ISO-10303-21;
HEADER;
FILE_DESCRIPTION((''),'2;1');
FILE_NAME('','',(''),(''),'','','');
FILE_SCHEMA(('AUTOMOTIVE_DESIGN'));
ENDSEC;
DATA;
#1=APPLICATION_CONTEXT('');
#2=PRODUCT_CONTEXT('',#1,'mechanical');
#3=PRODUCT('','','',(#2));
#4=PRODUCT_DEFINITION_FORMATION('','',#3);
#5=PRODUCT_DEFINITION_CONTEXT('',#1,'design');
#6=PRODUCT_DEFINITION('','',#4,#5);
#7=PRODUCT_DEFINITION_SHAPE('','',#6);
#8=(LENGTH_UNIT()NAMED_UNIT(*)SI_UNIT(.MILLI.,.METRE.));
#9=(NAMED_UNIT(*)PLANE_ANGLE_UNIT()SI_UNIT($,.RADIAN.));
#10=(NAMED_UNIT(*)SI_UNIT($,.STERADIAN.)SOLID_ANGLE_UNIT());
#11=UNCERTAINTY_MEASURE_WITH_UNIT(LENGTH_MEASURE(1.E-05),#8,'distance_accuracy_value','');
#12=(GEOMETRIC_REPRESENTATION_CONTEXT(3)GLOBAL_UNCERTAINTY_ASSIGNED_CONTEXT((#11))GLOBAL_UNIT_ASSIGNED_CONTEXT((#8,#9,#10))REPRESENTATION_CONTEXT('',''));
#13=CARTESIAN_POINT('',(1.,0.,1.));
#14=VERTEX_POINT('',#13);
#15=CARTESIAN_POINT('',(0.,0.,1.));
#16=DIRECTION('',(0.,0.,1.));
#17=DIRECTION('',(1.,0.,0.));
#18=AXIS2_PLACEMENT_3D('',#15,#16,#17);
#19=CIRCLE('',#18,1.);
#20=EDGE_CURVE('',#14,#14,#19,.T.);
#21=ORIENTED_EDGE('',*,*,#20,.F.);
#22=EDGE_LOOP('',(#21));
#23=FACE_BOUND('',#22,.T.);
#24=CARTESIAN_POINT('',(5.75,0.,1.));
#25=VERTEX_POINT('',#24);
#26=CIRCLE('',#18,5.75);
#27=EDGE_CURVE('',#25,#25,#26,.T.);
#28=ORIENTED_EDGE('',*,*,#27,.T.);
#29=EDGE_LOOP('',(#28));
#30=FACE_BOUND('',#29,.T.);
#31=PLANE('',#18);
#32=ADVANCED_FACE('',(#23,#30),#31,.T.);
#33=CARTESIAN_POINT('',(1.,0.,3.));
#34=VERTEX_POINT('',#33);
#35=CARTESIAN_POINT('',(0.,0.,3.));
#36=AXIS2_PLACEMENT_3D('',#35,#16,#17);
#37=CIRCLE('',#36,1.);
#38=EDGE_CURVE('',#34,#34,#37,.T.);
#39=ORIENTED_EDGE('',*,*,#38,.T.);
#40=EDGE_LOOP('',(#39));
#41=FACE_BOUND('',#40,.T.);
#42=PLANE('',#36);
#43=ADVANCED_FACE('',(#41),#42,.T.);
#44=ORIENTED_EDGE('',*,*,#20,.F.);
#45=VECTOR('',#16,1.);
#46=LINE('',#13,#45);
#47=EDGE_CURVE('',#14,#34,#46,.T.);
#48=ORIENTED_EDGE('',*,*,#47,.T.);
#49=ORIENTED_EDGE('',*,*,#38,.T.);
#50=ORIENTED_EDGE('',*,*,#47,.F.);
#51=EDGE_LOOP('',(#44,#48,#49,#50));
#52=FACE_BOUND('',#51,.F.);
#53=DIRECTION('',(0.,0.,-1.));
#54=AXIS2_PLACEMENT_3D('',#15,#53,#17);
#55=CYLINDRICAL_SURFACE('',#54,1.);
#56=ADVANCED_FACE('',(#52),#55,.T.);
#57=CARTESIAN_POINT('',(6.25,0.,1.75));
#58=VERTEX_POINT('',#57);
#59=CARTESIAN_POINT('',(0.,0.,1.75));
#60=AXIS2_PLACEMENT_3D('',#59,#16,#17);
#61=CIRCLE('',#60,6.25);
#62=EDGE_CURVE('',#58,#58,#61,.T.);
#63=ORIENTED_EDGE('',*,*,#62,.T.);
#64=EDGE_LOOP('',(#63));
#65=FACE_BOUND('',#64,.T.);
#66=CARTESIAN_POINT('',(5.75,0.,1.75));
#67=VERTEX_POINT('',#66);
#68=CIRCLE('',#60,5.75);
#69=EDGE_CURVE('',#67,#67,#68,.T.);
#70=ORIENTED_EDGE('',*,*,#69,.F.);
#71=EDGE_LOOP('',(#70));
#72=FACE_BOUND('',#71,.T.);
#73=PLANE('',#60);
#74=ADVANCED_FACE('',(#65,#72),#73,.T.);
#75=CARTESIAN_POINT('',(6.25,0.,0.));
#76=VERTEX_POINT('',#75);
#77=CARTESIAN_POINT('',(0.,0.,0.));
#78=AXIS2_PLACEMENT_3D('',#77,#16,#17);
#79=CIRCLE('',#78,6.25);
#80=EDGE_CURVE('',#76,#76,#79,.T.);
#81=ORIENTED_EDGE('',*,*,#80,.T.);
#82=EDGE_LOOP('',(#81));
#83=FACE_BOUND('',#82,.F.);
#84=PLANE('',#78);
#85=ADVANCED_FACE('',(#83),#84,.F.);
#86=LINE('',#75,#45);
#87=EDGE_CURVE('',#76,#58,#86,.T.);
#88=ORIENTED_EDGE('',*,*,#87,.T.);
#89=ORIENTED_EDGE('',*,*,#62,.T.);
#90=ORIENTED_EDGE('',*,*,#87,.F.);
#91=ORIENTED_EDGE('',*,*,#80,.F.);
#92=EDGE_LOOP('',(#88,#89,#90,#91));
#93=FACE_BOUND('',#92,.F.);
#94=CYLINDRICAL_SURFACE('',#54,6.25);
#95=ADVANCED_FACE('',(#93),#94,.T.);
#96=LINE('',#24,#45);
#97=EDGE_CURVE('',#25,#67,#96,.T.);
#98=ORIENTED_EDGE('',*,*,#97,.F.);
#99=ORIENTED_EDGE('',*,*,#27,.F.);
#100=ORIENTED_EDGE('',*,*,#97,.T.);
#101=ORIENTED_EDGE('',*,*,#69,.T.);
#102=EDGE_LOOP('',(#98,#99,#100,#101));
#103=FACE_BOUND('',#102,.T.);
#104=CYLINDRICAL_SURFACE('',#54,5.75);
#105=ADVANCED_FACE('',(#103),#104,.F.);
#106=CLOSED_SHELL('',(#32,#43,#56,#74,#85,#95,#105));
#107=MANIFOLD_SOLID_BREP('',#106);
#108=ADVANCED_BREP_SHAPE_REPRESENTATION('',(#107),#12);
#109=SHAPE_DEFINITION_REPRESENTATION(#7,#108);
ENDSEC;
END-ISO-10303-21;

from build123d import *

# Parameters (mm, degrees)
F0_R     = 6.25
F1_DEPTH = 1
F2_R     = 6.25
F2_R_2   = 5.75
F3_DEPTH = 0.75
F2_R_3   = 1
F4_DEPTH = 2


with BuildPart() as f1:
    # F0 (on Top) → F1 (new body)
    with BuildSketch(Plane.XY):
        Circle(F0_R)
    extrude(amount=F1_DEPTH)

    # F2 (on face) → F3 (join)
    with BuildSketch(Plane.XY.offset(1)):
        Circle(F2_R)
        Circle(F2_R_2, mode=Mode.SUBTRACT)
    extrude(amount=F3_DEPTH)

    # F2 (on face) → F4 (join)
    with BuildSketch(Plane.XY.offset(1)):
        Circle(F2_R_3)
    extrude(amount=F4_DEPTH)


solid = f1.part
